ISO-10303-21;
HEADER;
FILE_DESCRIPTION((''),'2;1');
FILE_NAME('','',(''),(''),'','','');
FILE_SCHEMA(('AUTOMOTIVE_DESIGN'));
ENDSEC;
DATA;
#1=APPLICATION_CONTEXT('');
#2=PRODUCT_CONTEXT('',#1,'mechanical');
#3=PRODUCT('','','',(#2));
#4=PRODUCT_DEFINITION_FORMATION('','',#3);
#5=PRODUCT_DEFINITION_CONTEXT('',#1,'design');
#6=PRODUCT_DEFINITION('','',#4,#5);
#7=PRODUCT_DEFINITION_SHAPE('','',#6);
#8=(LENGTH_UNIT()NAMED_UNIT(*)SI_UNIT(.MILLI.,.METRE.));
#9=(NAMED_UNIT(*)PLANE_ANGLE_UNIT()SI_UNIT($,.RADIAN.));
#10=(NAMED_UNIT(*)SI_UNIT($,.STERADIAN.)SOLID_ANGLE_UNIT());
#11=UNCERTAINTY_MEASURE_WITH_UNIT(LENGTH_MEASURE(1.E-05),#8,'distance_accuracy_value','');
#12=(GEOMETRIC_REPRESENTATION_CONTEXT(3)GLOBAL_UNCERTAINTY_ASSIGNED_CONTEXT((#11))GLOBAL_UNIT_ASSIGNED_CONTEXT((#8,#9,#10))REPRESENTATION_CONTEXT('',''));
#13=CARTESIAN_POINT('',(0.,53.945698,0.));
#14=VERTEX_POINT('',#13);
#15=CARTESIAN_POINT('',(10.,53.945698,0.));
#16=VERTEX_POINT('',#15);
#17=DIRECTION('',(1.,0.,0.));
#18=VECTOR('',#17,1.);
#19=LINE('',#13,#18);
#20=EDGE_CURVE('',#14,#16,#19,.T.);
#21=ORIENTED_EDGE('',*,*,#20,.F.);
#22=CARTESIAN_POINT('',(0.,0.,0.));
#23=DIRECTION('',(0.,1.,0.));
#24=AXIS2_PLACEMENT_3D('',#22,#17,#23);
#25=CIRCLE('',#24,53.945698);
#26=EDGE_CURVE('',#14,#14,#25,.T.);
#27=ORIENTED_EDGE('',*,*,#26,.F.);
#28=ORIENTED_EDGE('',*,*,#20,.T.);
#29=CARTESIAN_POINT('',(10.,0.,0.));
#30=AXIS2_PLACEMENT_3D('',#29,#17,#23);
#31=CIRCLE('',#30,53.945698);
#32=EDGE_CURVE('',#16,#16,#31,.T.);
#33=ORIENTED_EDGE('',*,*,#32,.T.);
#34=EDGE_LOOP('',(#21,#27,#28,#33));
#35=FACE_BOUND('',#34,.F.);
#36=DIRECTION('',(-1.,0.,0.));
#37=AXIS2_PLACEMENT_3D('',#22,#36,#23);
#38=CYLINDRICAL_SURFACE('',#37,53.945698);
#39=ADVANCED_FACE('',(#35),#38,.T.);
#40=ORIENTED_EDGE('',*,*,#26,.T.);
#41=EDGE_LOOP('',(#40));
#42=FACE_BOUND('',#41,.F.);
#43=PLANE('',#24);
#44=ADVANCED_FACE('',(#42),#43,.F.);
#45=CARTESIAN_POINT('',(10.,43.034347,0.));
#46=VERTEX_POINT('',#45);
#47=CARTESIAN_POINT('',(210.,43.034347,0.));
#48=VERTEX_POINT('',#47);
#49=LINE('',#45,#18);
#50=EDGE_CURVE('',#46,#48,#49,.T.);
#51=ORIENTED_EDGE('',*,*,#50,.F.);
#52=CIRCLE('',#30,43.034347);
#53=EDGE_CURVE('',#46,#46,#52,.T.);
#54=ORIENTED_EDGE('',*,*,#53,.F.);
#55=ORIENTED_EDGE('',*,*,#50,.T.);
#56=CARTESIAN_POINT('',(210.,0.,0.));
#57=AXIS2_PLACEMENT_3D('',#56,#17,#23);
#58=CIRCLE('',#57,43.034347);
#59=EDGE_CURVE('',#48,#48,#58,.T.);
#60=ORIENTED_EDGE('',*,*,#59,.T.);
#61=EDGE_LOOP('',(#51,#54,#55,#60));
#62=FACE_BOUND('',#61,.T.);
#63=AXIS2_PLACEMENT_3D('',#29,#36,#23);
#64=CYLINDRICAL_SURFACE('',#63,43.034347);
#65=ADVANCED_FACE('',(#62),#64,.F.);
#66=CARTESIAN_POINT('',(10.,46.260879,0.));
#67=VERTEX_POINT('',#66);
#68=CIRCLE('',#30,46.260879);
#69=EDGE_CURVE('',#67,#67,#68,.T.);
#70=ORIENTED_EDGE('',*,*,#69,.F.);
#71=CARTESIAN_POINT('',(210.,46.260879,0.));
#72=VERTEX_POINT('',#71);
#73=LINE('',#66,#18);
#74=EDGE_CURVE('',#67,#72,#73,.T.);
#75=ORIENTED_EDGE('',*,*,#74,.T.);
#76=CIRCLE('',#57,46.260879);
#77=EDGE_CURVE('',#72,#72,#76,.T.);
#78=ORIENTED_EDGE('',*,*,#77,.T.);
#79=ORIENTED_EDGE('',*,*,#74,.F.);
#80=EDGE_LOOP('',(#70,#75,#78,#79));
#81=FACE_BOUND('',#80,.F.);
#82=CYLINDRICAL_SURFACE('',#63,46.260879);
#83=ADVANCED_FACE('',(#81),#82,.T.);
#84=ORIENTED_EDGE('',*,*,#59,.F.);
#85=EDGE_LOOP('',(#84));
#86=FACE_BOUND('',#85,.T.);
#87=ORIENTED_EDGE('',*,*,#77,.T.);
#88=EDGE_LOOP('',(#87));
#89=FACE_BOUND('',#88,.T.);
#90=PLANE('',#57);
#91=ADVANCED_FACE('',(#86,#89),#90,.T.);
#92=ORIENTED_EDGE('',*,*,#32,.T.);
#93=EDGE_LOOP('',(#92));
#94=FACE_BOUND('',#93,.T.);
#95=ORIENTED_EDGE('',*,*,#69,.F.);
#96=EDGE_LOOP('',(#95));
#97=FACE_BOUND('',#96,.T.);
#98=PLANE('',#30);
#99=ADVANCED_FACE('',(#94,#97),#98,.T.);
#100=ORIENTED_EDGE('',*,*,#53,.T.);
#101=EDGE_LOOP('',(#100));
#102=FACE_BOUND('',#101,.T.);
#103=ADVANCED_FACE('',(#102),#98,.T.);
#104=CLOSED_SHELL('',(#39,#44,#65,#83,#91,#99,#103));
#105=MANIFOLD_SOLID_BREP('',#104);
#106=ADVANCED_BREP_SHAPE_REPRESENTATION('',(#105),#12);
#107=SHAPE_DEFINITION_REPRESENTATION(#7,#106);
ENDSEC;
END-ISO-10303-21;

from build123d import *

# Parameters (mm, degrees)
F0_R     = 53.945698
F1_DEPTH = 10
F2_R     = 46.260879
F2_R_2   = 43.034347
F3_DEPTH = 200


with BuildPart() as f1:
    # F0 (on Right) → F1 (new body)
    with BuildSketch(Plane.YZ):
        Circle(F0_R)
    extrude(amount=F1_DEPTH)

    # F2 (on face) → F3 (join)
    with BuildSketch(Plane.YZ.offset(10)):
        Circle(F2_R)
        Circle(F2_R_2, mode=Mode.SUBTRACT)
    extrude(amount=F3_DEPTH)


solid = f1.part
